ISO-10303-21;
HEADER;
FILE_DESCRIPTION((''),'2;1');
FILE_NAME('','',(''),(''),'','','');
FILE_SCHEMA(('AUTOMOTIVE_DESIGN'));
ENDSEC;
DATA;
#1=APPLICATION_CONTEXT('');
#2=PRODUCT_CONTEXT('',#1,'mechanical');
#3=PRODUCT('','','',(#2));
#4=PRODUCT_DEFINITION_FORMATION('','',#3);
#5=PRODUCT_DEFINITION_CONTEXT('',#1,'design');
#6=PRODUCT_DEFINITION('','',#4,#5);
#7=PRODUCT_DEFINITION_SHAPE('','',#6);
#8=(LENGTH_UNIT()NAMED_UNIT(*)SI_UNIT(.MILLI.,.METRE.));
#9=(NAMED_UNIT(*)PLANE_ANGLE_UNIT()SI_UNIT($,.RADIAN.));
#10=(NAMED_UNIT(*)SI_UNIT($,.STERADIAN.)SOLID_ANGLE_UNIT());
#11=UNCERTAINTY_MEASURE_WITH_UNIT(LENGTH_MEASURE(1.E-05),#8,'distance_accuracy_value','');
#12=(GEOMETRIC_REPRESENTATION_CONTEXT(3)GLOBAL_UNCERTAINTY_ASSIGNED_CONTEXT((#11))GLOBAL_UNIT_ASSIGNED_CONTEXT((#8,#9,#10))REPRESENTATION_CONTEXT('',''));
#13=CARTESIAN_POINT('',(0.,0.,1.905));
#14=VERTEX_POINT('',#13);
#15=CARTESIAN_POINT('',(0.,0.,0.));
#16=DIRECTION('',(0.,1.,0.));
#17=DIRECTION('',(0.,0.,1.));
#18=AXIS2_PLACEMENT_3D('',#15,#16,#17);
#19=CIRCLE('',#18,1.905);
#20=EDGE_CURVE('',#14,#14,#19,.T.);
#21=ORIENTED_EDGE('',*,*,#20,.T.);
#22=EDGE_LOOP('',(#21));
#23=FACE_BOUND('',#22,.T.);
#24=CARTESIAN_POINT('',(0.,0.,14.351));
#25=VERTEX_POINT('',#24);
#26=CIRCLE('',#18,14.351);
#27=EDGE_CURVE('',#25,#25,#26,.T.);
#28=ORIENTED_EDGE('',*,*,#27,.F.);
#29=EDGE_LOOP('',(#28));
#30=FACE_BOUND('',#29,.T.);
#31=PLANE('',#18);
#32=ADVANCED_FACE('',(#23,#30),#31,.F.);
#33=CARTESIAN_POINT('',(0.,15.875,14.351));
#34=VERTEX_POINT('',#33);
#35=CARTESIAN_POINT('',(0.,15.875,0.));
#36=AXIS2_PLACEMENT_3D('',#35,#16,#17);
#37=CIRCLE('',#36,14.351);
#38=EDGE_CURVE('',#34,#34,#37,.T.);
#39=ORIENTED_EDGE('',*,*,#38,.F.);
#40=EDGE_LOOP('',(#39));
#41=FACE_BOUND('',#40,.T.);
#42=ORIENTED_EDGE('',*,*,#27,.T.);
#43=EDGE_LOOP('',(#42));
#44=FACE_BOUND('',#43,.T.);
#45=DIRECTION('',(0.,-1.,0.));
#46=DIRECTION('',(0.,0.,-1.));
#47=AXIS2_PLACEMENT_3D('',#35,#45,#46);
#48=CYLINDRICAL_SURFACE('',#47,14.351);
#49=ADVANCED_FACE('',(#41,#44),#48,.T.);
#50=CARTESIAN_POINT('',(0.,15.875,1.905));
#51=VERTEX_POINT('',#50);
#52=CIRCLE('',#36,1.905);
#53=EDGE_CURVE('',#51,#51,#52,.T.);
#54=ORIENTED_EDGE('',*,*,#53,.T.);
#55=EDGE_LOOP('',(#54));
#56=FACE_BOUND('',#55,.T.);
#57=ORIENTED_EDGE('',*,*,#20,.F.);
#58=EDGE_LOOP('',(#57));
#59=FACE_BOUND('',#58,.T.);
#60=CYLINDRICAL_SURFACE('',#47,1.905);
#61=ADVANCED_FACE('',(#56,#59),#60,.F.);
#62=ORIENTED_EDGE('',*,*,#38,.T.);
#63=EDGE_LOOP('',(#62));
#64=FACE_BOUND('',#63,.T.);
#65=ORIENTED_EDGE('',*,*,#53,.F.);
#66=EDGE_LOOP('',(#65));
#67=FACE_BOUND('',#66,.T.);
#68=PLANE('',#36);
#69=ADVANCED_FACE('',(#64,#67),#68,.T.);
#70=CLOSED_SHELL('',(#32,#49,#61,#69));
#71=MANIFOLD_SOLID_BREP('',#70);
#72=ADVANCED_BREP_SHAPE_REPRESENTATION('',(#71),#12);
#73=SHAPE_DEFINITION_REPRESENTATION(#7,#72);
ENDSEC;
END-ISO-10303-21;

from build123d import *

# Parameters (mm, degrees)
SKETCH1_R           = 14.351
SKETCH1_R_2         = 1.905
BOSS_EXTRUDE1_DEPTH = 15.875


with BuildPart() as part:
    # Sketch1 → Boss-Extrude1 (new body)
    with BuildSketch(Plane(origin=(0, 0, 0), x_dir=(1, 0, 0), z_dir=(0, 1, 0))):
        with Locations(Location((0, 0, 0), (0, 0, 270))):
            Circle(SKETCH1_R)
        with Locations(Location((0, 0, 0), (0, 0, 270))):
            Circle(SKETCH1_R_2, mode=Mode.SUBTRACT)
    extrude(amount=BOSS_EXTRUDE1_DEPTH)


solid = part.part
